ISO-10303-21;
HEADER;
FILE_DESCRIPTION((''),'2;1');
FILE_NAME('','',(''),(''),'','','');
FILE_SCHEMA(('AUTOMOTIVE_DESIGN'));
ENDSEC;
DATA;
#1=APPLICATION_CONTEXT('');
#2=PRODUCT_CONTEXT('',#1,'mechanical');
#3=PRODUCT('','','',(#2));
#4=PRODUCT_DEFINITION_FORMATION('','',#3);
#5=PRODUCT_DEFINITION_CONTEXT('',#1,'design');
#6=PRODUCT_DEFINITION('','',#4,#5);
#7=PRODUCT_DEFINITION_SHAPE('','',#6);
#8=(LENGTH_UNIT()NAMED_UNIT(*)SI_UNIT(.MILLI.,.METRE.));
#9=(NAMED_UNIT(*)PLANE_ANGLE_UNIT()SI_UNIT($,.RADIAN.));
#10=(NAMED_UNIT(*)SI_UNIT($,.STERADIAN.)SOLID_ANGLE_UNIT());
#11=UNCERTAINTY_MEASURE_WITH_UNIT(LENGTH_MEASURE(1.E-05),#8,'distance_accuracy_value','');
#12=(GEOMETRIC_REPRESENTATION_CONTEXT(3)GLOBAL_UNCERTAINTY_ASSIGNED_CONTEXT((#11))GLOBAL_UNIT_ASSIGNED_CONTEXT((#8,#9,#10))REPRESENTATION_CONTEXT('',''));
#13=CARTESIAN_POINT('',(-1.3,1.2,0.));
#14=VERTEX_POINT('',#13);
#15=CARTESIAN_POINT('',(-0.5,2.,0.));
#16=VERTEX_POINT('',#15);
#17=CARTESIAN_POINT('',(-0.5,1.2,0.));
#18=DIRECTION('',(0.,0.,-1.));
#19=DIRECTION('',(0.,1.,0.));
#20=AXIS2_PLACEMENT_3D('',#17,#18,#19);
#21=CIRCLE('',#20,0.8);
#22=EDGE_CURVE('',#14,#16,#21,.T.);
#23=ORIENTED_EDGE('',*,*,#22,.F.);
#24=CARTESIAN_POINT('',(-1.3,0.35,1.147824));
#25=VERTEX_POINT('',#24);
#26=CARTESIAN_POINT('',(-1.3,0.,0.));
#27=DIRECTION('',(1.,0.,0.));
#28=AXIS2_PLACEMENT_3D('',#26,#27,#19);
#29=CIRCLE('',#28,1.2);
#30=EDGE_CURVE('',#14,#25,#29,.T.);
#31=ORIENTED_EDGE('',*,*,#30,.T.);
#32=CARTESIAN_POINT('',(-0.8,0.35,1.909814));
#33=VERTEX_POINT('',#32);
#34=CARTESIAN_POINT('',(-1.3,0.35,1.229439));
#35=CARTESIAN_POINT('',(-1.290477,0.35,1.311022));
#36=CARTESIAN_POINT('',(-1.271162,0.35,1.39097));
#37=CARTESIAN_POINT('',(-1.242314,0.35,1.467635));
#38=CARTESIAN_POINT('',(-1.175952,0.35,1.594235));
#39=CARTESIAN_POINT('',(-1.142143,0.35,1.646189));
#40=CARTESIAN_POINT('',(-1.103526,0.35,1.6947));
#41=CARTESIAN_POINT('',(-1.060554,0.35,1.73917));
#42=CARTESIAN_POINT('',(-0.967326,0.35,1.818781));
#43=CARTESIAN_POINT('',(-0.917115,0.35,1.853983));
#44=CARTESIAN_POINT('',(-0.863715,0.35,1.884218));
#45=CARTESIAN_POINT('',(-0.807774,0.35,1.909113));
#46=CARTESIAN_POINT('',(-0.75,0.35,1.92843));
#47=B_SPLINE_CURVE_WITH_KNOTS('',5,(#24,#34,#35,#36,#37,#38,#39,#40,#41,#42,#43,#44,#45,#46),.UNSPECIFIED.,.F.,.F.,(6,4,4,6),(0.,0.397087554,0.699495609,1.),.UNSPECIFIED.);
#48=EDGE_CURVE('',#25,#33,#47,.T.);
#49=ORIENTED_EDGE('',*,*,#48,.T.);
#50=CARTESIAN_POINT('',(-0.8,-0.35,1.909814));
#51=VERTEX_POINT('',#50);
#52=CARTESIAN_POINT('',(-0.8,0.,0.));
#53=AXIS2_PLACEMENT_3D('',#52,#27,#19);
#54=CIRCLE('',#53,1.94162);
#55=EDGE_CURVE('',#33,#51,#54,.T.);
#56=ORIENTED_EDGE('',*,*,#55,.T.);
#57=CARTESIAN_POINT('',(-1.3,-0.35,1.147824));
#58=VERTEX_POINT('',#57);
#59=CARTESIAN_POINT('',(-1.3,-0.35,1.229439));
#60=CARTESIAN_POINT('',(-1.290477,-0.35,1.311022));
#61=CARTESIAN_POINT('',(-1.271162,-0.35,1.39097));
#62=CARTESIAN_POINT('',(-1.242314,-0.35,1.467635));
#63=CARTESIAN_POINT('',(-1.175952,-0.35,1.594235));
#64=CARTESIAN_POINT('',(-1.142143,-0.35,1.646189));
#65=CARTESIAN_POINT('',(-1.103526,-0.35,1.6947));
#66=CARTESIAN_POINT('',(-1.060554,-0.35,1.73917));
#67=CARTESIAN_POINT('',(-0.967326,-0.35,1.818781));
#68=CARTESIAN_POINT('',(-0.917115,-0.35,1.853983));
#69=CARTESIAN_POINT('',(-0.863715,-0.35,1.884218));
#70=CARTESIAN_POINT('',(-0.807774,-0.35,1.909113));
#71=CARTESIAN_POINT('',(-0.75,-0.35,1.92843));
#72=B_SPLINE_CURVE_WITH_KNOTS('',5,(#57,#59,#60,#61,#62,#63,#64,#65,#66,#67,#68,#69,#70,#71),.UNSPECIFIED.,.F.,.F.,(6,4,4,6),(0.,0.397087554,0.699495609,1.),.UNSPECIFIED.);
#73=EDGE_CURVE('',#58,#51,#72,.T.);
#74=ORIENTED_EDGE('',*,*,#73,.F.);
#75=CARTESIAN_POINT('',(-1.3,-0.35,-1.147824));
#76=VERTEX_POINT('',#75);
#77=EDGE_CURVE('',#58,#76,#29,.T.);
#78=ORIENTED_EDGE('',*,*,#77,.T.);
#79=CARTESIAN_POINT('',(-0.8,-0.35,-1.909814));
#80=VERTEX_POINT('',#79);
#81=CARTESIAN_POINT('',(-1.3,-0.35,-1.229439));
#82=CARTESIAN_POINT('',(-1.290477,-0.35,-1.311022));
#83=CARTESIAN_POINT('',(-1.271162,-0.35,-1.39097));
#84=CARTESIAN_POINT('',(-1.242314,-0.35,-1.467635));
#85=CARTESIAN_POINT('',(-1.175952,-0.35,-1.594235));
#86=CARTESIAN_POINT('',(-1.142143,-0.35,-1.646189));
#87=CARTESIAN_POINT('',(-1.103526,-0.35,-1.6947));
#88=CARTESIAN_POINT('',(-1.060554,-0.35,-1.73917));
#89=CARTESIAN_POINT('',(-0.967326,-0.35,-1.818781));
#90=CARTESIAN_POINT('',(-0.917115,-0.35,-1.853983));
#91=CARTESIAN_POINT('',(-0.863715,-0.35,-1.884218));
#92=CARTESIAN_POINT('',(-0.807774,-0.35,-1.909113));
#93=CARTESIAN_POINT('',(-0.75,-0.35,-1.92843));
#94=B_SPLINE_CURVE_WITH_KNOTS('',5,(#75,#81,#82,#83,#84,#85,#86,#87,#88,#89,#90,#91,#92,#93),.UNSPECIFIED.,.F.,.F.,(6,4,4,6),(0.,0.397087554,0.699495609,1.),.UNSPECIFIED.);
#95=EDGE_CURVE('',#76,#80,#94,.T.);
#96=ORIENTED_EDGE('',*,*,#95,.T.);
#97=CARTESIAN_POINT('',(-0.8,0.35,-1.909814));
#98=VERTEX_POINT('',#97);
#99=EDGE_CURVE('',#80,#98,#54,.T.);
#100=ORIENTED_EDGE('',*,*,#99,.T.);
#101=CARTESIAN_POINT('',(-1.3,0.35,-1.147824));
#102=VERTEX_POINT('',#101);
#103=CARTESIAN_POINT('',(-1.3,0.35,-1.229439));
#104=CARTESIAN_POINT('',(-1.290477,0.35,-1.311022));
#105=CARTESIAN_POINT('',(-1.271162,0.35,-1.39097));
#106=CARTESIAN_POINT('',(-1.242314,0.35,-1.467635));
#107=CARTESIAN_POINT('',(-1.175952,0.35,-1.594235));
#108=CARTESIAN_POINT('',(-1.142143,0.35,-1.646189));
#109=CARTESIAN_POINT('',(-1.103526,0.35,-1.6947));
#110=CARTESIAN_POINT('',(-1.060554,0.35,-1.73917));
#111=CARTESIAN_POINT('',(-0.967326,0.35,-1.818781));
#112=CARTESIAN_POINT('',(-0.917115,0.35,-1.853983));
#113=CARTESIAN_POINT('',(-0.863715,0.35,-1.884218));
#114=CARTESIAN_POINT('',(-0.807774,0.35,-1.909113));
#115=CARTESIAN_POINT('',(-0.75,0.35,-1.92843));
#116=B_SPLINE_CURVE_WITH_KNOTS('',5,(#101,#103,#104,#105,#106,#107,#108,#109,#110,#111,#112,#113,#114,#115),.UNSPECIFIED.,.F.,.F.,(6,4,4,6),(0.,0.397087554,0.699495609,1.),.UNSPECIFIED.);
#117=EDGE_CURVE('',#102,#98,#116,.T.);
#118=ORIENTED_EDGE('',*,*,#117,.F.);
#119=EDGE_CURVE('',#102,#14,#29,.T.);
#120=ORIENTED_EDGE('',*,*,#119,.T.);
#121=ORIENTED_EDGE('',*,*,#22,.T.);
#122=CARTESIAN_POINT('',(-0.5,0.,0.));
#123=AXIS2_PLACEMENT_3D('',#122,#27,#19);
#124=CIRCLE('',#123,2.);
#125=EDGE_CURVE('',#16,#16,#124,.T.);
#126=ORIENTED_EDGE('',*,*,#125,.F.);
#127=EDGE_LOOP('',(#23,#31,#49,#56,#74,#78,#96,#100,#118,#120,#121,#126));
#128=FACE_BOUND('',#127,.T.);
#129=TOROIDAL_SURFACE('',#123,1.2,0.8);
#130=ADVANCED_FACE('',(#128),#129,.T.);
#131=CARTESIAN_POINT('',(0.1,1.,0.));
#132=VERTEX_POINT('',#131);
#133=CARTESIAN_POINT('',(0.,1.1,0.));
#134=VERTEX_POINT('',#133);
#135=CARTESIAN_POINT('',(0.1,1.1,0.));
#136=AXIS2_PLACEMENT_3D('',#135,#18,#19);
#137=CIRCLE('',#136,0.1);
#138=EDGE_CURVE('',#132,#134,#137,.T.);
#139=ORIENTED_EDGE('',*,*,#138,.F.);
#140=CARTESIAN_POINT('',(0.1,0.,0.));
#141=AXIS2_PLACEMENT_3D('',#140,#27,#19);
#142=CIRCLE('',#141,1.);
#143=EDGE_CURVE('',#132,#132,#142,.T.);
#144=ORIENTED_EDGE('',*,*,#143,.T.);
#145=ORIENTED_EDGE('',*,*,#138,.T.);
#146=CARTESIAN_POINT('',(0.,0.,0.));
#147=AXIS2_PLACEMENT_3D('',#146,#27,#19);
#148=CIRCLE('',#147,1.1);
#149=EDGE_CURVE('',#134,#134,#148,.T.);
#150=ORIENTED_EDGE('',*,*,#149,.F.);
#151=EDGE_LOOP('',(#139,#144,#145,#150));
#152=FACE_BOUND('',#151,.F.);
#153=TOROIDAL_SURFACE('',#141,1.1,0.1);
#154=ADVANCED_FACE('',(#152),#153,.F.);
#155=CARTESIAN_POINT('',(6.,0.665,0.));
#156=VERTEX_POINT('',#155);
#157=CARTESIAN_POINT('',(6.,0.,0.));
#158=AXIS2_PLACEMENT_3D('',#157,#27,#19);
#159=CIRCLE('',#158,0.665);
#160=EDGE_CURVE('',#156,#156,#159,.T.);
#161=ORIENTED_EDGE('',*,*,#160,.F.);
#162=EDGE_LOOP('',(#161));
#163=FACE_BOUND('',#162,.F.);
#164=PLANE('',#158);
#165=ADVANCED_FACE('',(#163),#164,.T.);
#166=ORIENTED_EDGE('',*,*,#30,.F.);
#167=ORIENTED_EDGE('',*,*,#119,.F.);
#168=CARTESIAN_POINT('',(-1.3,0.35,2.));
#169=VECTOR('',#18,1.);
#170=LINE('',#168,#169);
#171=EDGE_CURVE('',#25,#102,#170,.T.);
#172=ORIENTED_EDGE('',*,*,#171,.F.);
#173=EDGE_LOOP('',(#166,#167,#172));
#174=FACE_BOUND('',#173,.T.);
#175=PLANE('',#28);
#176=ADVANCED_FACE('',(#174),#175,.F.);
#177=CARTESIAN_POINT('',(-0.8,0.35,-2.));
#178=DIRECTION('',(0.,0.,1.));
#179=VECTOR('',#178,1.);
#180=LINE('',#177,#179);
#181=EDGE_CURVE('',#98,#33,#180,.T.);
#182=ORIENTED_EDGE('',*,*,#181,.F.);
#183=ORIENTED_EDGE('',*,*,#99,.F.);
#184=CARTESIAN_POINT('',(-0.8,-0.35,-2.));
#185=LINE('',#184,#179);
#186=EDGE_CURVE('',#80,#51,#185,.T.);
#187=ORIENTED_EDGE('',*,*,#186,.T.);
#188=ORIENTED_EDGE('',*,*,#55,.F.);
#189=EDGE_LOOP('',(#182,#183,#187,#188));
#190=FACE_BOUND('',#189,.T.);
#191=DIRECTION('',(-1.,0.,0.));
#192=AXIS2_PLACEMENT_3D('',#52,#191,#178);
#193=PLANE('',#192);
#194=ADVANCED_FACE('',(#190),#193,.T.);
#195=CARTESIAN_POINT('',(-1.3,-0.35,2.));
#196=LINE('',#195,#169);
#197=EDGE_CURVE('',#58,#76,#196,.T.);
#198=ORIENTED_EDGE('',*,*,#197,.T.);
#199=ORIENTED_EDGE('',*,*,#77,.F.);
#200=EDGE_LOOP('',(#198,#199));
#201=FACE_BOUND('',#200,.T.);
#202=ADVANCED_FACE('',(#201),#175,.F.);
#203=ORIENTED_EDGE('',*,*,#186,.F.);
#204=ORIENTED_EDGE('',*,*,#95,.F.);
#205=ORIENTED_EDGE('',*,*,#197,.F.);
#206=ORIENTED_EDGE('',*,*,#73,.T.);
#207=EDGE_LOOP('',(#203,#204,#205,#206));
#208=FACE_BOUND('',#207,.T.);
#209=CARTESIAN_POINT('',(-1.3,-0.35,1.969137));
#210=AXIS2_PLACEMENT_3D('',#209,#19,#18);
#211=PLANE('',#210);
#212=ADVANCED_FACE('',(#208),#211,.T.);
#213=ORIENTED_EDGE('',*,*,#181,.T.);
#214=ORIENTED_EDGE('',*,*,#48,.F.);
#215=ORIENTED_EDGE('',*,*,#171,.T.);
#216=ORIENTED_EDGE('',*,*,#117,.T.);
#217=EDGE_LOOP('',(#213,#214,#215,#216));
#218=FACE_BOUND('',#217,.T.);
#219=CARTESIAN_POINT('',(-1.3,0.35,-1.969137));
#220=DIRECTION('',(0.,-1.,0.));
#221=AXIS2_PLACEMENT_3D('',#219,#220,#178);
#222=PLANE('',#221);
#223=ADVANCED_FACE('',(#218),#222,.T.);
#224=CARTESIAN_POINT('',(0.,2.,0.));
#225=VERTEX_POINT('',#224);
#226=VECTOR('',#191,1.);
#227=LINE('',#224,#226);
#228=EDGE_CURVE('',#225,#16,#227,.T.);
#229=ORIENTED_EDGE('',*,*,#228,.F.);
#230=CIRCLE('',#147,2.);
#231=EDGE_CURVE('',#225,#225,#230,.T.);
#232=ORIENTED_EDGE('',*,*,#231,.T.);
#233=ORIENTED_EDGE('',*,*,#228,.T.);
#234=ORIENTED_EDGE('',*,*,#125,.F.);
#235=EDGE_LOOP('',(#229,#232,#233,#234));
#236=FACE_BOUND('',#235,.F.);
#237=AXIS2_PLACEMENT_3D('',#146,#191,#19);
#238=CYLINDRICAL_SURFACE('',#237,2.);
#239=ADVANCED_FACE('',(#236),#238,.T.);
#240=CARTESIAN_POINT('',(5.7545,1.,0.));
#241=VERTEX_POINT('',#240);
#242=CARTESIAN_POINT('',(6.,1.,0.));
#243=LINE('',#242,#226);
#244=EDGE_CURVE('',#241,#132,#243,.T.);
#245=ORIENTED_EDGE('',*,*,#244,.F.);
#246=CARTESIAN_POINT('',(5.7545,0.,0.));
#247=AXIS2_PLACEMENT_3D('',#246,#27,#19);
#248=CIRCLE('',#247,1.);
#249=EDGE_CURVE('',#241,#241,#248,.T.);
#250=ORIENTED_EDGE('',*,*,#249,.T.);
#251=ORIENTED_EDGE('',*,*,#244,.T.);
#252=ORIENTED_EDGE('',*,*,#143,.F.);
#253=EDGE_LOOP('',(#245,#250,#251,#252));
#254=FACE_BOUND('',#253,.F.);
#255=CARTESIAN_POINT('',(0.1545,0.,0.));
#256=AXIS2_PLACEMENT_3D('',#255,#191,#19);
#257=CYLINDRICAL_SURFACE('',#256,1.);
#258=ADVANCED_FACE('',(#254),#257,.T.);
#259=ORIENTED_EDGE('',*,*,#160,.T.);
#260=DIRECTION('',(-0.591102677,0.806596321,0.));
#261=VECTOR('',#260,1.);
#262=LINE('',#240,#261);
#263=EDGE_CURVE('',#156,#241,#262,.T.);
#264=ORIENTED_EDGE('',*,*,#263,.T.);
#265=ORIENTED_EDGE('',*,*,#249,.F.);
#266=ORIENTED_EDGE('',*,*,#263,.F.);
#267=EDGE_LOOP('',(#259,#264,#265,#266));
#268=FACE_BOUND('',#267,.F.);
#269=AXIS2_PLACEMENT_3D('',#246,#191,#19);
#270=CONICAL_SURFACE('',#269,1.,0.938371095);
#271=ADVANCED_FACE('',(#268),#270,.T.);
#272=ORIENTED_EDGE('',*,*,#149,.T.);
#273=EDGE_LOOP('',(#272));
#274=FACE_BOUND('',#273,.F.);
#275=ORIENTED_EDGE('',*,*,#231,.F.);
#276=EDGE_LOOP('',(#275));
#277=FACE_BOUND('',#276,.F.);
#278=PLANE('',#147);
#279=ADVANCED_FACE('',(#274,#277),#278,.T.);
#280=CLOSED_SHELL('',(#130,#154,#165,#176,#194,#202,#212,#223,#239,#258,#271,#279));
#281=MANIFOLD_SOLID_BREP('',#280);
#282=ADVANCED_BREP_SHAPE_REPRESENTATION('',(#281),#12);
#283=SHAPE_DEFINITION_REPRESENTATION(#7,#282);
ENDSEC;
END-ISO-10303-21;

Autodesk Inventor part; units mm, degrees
ref_plane "YZ Plane" through (0, 0, 0) normal (1, 0, 0) x (0, 1, 0)
ref_plane "XZ Plane" through (0, 0, 0) normal (0, 1, 0) x (-1, 0, 0)
sketch "Sketch1" plane through (0, 0, 0) normal (0, 0, 1) x (1, 0, 0)
  line L0 (-1.3, 0) -> (6, 0)
  line L1 (6, 0) -> (6, 1)
  line L2 (6, 1) -> (0.4, 1)
  line L3 (0.4, 1) -> (0.1545, 1)
  line L4 (0.1545, 1) -> (0, 1)
  line L5 (0, 1) -> (0, 2)
  line L6 (-2.76, 0) -> (7.46, 0) projected
  line L7 (0, -0.4) -> (0, 2.4) projected
  line L8 (-1.3, 0) -> (-1.3, 2)
  line L9 (0, 2) -> (-1.3, 2)
  line L10 (0.4, 1) -> (0, 1) construction
  dimension "d0" = 6
  dimension "d1" = 5.6
  dimension "d2" = 0.2455
  dimension "d3" = 1.3
  dimension "d4" = 2
  dimension "d5" = 2
  dimension "d9" = 4
  dimension "d10" = 0
revolve "Body" add sketch "Sketch1" angle 360 about axis through (-1.3, 0, 0) along (1, 0, 0)
sketch "Sketch2" plane through (-1.3, 0, 0) normal (-1, 0, 0) x (0, 0, 1)
  circle A0 centre (0, 0) radius 2 projected
  line L0 (0, 0) -> (0, 2) projected
  line L1 (-2, 0.35) -> (2, 0.35)
  line L2 (2, 0.35) -> (2, -0.35)
  line L3 (2, -0.35) -> (-2, -0.35)
  line L4 (-2, -0.35) -> (-2, 0.35)
  line L5 (-2, 0) -> (2, 0) construction
  line L6 (0, 0.35) -> (0, -0.35) construction
  dimension "d11" = 0.7
  dimension "d12" = 4
fillet "Fillet1" radius 0.8 1 edges at (-1.3, -2, 0)
extrude "Slot" cut sketch "Sketch2" against normal blind 0.5 contours A0 L3 L1 | L2 L3 A0 | A0 L1 L2 | L3 L4 A0 | A0 L4 L1
thread "Thread" size "M2x0.4" class "6g" standard "ISO Metric profile" length 5.6
chamfer "Chamfer1" distance 0.335 distance2 0.2455 1 edges at (6, -1, 0) measured on face at (6, 0.2495, 0.221)
ref_plane "Work Plane1" through (30.1625, 0, 0) normal (0, 0, -1) x (1, 0, 0)
fillet "Fillet2" radius 0.1 1 edges at (0, -1, 0)
equation "\"d11\" = SBR"
equation "\"d12\" = KOD"
equation "\"d14\" = RR"
equation "\"d19\" = STI"
equation "\"d15\" = GEL"
equation "\"d17\" = -0.5 * SPD + 0.5 * GD"
equation "\"d40\" = R"
equation "\"d0\" = NLG"
equation "\"d1\" = GEL"
equation "\"d3\" = KOH"
equation "\"d4\" = GD"
equation "\"d5\" = BDM"
equation "\"d9\" = KOD"
equation "\"GD\" = NND"
equation "\"NLG\" = 6"
equation "\"GEL\" = 5.6"
equation "\"KOD\" = 4"
equation "\"KOH\" = 1.3"
equation "\"GAL\" = 0.61345 * PTC"
equation "\"SPD\" = 1.33"
equation "\"BDM\" = NND"
equation "\"GUL\" = 0.61345 * PTC"
equation "\"RR\" = 0.8"
equation "\"SBR\" = 0.7"
equation "\"STI\" = 0.5"
equation "\"KEWI\" = 0"
equation "\"R\" = 0.1"
equation "\"PTC\" = 0.4"
equation "\"THREADDIA\" = 2"
equation "\"TOA\" = 30deg"
equation "\"NND\" = 2"
equation "\"GD1\" = THREADDIA - 1.2269 * PTC"
properties part number "ANSI B18.6.7M - M2x0.4 x 6" material "Steel, Mild"
